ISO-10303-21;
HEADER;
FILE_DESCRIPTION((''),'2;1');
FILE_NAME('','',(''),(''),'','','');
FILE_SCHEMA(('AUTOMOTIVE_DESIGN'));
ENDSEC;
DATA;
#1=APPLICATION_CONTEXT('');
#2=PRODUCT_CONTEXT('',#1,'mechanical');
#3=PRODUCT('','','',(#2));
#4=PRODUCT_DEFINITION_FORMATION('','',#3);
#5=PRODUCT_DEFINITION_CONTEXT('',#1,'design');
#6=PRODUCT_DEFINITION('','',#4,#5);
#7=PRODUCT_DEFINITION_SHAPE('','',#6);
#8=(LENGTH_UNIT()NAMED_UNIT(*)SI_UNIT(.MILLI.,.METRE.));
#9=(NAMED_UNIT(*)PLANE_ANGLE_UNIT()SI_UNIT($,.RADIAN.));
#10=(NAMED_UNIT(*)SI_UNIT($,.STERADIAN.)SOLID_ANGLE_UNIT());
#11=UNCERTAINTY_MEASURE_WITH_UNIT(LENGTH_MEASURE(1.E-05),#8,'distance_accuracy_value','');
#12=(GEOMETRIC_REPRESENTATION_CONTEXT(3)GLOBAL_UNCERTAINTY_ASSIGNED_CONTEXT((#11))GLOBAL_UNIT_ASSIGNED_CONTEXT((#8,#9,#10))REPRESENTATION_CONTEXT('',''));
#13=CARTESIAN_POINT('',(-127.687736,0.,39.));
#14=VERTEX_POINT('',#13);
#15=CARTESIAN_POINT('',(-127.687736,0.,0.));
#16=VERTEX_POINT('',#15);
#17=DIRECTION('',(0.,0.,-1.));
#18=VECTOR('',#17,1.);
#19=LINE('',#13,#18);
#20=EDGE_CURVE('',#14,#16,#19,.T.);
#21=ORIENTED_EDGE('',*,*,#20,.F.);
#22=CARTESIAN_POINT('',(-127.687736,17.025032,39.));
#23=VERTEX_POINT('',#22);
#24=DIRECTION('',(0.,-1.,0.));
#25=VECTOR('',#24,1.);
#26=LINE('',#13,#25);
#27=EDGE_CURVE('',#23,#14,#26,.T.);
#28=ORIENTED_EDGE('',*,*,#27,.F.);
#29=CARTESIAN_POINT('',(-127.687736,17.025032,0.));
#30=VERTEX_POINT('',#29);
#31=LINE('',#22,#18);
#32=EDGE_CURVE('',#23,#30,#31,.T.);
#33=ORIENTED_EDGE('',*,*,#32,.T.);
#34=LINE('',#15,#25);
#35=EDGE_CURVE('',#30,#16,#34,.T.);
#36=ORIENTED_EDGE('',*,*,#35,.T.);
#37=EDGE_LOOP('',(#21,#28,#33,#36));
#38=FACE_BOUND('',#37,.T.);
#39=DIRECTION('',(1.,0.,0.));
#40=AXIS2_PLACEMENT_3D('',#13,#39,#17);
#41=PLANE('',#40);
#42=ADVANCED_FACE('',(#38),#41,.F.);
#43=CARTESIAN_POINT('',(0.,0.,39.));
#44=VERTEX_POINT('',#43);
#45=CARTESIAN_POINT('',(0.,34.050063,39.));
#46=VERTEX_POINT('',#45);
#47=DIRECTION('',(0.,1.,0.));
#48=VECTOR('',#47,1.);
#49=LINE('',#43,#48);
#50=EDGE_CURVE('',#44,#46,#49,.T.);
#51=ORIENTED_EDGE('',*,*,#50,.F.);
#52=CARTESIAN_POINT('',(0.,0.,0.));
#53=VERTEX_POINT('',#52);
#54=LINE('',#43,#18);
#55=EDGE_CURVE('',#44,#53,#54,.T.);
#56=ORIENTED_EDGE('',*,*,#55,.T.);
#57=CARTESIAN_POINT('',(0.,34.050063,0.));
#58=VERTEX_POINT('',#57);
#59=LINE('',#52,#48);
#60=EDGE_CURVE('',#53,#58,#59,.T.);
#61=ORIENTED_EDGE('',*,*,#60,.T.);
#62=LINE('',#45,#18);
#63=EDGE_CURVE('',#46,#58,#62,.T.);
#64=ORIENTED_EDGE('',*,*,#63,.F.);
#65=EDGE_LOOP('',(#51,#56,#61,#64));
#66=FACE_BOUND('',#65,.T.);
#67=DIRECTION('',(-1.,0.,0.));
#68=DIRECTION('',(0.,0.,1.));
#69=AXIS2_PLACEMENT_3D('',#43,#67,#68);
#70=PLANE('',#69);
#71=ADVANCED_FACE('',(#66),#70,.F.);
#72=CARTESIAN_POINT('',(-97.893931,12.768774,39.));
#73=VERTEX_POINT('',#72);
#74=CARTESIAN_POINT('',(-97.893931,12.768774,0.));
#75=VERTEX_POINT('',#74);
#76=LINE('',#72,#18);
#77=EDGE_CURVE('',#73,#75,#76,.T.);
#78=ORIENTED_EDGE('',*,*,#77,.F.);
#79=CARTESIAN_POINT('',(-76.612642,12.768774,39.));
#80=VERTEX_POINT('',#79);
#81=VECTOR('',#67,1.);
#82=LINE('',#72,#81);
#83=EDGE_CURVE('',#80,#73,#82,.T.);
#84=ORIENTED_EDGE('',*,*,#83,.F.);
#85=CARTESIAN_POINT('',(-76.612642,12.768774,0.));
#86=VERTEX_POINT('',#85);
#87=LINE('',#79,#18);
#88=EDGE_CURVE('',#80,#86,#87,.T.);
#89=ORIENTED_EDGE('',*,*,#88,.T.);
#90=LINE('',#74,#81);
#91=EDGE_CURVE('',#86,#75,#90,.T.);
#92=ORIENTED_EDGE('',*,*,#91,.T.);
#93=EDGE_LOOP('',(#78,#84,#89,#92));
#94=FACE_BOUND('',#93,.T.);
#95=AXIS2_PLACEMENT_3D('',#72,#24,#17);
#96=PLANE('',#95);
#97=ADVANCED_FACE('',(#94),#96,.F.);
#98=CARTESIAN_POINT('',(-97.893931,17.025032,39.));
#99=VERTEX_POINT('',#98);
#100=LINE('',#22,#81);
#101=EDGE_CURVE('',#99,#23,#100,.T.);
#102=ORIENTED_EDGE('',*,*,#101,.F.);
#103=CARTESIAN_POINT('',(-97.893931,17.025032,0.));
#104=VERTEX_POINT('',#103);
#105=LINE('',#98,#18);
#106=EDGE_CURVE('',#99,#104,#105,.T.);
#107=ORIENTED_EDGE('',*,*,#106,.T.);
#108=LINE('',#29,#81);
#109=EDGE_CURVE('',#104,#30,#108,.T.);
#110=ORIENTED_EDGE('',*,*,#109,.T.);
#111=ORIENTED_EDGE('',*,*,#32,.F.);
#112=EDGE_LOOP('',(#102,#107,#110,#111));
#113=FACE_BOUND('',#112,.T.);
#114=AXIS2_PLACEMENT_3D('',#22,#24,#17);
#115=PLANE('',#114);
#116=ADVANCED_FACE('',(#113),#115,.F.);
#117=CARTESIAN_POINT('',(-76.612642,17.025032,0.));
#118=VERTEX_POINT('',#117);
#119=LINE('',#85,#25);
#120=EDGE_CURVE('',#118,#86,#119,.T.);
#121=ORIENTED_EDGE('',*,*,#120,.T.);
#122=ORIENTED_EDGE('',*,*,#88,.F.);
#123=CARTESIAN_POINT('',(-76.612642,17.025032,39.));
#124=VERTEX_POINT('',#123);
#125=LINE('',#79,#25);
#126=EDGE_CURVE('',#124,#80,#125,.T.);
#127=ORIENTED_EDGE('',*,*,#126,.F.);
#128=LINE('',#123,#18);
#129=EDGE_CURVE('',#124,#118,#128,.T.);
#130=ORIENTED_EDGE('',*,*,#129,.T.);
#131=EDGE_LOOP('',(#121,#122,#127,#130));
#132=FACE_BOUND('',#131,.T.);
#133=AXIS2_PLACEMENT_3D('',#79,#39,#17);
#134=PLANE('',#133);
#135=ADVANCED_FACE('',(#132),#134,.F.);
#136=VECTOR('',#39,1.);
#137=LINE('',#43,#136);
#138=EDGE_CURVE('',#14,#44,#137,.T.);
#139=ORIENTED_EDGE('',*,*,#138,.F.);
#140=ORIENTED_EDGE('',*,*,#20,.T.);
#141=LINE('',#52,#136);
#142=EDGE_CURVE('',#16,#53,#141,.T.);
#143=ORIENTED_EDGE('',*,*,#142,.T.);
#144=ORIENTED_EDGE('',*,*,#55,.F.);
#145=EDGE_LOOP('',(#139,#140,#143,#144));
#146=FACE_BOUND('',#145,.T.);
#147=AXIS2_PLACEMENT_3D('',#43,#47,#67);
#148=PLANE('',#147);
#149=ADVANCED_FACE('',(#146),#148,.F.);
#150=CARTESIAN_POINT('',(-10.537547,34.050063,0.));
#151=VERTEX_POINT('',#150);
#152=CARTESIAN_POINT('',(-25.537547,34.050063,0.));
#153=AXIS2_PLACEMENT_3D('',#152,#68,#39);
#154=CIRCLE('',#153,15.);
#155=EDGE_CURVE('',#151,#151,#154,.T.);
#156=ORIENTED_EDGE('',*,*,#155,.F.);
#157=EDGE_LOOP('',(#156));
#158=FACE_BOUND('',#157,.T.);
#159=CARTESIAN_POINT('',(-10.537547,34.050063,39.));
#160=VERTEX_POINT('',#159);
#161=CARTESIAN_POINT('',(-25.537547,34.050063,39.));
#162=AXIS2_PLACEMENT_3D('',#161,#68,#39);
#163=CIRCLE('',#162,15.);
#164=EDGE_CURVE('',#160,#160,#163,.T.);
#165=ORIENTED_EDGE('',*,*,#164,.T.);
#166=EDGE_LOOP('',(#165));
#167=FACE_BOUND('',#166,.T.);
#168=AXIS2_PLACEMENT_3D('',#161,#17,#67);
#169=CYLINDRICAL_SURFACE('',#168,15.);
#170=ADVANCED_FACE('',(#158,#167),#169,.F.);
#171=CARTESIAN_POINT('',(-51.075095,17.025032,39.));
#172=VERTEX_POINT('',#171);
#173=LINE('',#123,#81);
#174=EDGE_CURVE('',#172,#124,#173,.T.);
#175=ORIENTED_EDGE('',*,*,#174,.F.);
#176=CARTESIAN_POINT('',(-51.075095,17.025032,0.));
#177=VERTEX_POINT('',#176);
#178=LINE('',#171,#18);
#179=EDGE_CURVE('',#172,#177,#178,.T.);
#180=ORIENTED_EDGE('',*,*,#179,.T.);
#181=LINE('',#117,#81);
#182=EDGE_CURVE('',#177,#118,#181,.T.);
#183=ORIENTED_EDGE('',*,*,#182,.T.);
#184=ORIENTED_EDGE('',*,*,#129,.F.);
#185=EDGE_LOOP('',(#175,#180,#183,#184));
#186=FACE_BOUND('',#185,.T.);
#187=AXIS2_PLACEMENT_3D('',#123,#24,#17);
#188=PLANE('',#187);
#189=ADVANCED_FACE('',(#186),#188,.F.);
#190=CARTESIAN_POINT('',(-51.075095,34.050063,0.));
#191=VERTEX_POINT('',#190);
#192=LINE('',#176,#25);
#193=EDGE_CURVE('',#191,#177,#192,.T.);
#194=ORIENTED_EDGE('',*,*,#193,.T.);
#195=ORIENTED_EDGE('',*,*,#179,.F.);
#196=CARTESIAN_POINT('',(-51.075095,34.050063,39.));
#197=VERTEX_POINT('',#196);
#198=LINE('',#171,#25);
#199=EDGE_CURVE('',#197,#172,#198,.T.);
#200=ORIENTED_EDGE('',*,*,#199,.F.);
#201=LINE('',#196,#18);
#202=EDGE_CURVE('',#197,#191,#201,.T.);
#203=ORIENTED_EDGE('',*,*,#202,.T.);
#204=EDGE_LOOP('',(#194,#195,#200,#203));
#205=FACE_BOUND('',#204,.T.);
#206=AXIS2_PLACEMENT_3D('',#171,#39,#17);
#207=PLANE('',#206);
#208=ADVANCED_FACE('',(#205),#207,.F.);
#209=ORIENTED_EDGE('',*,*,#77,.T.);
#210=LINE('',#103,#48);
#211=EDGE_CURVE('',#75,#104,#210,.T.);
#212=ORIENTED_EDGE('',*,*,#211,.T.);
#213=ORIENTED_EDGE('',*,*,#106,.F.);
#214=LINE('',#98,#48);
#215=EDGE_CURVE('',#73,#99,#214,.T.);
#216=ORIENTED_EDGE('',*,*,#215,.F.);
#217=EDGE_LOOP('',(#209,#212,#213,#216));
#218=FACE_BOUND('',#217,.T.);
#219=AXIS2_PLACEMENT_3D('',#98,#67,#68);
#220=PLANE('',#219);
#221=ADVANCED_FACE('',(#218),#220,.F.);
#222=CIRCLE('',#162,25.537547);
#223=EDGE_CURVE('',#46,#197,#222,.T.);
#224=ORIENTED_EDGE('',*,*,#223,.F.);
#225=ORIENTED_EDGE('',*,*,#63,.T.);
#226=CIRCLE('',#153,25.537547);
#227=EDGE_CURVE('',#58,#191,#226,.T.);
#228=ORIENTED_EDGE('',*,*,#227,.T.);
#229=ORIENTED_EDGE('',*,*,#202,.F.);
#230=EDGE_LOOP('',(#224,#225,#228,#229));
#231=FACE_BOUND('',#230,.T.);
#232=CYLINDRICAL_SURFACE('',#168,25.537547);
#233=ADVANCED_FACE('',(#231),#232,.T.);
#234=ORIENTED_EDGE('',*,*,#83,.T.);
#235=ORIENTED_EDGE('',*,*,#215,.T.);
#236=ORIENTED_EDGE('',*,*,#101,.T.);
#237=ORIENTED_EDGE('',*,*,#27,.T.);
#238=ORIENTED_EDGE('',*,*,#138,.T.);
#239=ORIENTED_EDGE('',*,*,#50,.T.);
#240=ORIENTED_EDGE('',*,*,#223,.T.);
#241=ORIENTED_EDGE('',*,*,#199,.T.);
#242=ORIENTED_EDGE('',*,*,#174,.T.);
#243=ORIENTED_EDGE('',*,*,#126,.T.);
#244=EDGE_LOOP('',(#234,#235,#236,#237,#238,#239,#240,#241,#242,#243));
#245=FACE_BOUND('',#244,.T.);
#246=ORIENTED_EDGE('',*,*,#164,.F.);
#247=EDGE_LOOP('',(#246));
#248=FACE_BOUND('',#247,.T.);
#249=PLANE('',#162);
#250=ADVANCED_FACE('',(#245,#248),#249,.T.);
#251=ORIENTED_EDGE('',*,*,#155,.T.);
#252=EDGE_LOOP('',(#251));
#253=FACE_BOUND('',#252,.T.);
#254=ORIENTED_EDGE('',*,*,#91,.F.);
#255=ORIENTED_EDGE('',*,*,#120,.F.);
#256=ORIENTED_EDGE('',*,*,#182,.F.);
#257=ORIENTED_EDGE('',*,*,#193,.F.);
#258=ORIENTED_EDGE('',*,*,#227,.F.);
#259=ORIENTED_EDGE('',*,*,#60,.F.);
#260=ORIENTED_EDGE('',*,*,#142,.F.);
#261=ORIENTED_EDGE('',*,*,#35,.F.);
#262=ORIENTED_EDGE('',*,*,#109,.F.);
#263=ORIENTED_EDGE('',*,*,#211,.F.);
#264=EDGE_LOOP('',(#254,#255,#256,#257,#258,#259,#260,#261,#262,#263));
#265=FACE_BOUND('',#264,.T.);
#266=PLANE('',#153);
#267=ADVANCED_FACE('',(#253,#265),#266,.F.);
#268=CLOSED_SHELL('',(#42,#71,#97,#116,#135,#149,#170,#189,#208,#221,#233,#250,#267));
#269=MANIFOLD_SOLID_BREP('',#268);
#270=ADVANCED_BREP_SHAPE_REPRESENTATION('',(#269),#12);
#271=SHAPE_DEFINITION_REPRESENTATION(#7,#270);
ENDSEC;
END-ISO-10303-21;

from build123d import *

# Parameters (mm, degrees)
SKETCH2_R           = 15
BOSS_EXTRUDE1_DEPTH = 39


with BuildPart() as part:
    # Sketch2 → Boss-Extrude1 (new body)
    with BuildSketch(Plane.XY):
        with BuildLine():
            Line((0, 0), (-127.68773646, 0))
            Line((-127.68773646, 0), (-127.68773646, 17.025031528))
            Line((-127.68773646, 17.025031528), (-97.893931286, 17.025031528))
            Line((-97.893931286, 17.025031528), (-97.893931286, 12.768773646))
            Line((-97.893931286, 12.768773646), (-76.612641876, 12.768773646))
            Line((-76.612641876, 12.768773646), (-76.612641876, 17.025031528))
            Line((-76.612641876, 17.025031528), (-51.075094584, 17.025031528))
            Line((-51.075094584, 17.025031528), (-51.075094584, 34.050063056))
            ThreePointArc((-51.075094584, 34.050063056), (-25.537547292, 59.587610348), (0, 34.050063056))
            Line((0, 34.050063056), (0, 0))
        make_face()
        with Locations((-25.537547292, 34.050063056)):
            Circle(SKETCH2_R, mode=Mode.SUBTRACT)
    extrude(amount=BOSS_EXTRUDE1_DEPTH)


solid = part.part
